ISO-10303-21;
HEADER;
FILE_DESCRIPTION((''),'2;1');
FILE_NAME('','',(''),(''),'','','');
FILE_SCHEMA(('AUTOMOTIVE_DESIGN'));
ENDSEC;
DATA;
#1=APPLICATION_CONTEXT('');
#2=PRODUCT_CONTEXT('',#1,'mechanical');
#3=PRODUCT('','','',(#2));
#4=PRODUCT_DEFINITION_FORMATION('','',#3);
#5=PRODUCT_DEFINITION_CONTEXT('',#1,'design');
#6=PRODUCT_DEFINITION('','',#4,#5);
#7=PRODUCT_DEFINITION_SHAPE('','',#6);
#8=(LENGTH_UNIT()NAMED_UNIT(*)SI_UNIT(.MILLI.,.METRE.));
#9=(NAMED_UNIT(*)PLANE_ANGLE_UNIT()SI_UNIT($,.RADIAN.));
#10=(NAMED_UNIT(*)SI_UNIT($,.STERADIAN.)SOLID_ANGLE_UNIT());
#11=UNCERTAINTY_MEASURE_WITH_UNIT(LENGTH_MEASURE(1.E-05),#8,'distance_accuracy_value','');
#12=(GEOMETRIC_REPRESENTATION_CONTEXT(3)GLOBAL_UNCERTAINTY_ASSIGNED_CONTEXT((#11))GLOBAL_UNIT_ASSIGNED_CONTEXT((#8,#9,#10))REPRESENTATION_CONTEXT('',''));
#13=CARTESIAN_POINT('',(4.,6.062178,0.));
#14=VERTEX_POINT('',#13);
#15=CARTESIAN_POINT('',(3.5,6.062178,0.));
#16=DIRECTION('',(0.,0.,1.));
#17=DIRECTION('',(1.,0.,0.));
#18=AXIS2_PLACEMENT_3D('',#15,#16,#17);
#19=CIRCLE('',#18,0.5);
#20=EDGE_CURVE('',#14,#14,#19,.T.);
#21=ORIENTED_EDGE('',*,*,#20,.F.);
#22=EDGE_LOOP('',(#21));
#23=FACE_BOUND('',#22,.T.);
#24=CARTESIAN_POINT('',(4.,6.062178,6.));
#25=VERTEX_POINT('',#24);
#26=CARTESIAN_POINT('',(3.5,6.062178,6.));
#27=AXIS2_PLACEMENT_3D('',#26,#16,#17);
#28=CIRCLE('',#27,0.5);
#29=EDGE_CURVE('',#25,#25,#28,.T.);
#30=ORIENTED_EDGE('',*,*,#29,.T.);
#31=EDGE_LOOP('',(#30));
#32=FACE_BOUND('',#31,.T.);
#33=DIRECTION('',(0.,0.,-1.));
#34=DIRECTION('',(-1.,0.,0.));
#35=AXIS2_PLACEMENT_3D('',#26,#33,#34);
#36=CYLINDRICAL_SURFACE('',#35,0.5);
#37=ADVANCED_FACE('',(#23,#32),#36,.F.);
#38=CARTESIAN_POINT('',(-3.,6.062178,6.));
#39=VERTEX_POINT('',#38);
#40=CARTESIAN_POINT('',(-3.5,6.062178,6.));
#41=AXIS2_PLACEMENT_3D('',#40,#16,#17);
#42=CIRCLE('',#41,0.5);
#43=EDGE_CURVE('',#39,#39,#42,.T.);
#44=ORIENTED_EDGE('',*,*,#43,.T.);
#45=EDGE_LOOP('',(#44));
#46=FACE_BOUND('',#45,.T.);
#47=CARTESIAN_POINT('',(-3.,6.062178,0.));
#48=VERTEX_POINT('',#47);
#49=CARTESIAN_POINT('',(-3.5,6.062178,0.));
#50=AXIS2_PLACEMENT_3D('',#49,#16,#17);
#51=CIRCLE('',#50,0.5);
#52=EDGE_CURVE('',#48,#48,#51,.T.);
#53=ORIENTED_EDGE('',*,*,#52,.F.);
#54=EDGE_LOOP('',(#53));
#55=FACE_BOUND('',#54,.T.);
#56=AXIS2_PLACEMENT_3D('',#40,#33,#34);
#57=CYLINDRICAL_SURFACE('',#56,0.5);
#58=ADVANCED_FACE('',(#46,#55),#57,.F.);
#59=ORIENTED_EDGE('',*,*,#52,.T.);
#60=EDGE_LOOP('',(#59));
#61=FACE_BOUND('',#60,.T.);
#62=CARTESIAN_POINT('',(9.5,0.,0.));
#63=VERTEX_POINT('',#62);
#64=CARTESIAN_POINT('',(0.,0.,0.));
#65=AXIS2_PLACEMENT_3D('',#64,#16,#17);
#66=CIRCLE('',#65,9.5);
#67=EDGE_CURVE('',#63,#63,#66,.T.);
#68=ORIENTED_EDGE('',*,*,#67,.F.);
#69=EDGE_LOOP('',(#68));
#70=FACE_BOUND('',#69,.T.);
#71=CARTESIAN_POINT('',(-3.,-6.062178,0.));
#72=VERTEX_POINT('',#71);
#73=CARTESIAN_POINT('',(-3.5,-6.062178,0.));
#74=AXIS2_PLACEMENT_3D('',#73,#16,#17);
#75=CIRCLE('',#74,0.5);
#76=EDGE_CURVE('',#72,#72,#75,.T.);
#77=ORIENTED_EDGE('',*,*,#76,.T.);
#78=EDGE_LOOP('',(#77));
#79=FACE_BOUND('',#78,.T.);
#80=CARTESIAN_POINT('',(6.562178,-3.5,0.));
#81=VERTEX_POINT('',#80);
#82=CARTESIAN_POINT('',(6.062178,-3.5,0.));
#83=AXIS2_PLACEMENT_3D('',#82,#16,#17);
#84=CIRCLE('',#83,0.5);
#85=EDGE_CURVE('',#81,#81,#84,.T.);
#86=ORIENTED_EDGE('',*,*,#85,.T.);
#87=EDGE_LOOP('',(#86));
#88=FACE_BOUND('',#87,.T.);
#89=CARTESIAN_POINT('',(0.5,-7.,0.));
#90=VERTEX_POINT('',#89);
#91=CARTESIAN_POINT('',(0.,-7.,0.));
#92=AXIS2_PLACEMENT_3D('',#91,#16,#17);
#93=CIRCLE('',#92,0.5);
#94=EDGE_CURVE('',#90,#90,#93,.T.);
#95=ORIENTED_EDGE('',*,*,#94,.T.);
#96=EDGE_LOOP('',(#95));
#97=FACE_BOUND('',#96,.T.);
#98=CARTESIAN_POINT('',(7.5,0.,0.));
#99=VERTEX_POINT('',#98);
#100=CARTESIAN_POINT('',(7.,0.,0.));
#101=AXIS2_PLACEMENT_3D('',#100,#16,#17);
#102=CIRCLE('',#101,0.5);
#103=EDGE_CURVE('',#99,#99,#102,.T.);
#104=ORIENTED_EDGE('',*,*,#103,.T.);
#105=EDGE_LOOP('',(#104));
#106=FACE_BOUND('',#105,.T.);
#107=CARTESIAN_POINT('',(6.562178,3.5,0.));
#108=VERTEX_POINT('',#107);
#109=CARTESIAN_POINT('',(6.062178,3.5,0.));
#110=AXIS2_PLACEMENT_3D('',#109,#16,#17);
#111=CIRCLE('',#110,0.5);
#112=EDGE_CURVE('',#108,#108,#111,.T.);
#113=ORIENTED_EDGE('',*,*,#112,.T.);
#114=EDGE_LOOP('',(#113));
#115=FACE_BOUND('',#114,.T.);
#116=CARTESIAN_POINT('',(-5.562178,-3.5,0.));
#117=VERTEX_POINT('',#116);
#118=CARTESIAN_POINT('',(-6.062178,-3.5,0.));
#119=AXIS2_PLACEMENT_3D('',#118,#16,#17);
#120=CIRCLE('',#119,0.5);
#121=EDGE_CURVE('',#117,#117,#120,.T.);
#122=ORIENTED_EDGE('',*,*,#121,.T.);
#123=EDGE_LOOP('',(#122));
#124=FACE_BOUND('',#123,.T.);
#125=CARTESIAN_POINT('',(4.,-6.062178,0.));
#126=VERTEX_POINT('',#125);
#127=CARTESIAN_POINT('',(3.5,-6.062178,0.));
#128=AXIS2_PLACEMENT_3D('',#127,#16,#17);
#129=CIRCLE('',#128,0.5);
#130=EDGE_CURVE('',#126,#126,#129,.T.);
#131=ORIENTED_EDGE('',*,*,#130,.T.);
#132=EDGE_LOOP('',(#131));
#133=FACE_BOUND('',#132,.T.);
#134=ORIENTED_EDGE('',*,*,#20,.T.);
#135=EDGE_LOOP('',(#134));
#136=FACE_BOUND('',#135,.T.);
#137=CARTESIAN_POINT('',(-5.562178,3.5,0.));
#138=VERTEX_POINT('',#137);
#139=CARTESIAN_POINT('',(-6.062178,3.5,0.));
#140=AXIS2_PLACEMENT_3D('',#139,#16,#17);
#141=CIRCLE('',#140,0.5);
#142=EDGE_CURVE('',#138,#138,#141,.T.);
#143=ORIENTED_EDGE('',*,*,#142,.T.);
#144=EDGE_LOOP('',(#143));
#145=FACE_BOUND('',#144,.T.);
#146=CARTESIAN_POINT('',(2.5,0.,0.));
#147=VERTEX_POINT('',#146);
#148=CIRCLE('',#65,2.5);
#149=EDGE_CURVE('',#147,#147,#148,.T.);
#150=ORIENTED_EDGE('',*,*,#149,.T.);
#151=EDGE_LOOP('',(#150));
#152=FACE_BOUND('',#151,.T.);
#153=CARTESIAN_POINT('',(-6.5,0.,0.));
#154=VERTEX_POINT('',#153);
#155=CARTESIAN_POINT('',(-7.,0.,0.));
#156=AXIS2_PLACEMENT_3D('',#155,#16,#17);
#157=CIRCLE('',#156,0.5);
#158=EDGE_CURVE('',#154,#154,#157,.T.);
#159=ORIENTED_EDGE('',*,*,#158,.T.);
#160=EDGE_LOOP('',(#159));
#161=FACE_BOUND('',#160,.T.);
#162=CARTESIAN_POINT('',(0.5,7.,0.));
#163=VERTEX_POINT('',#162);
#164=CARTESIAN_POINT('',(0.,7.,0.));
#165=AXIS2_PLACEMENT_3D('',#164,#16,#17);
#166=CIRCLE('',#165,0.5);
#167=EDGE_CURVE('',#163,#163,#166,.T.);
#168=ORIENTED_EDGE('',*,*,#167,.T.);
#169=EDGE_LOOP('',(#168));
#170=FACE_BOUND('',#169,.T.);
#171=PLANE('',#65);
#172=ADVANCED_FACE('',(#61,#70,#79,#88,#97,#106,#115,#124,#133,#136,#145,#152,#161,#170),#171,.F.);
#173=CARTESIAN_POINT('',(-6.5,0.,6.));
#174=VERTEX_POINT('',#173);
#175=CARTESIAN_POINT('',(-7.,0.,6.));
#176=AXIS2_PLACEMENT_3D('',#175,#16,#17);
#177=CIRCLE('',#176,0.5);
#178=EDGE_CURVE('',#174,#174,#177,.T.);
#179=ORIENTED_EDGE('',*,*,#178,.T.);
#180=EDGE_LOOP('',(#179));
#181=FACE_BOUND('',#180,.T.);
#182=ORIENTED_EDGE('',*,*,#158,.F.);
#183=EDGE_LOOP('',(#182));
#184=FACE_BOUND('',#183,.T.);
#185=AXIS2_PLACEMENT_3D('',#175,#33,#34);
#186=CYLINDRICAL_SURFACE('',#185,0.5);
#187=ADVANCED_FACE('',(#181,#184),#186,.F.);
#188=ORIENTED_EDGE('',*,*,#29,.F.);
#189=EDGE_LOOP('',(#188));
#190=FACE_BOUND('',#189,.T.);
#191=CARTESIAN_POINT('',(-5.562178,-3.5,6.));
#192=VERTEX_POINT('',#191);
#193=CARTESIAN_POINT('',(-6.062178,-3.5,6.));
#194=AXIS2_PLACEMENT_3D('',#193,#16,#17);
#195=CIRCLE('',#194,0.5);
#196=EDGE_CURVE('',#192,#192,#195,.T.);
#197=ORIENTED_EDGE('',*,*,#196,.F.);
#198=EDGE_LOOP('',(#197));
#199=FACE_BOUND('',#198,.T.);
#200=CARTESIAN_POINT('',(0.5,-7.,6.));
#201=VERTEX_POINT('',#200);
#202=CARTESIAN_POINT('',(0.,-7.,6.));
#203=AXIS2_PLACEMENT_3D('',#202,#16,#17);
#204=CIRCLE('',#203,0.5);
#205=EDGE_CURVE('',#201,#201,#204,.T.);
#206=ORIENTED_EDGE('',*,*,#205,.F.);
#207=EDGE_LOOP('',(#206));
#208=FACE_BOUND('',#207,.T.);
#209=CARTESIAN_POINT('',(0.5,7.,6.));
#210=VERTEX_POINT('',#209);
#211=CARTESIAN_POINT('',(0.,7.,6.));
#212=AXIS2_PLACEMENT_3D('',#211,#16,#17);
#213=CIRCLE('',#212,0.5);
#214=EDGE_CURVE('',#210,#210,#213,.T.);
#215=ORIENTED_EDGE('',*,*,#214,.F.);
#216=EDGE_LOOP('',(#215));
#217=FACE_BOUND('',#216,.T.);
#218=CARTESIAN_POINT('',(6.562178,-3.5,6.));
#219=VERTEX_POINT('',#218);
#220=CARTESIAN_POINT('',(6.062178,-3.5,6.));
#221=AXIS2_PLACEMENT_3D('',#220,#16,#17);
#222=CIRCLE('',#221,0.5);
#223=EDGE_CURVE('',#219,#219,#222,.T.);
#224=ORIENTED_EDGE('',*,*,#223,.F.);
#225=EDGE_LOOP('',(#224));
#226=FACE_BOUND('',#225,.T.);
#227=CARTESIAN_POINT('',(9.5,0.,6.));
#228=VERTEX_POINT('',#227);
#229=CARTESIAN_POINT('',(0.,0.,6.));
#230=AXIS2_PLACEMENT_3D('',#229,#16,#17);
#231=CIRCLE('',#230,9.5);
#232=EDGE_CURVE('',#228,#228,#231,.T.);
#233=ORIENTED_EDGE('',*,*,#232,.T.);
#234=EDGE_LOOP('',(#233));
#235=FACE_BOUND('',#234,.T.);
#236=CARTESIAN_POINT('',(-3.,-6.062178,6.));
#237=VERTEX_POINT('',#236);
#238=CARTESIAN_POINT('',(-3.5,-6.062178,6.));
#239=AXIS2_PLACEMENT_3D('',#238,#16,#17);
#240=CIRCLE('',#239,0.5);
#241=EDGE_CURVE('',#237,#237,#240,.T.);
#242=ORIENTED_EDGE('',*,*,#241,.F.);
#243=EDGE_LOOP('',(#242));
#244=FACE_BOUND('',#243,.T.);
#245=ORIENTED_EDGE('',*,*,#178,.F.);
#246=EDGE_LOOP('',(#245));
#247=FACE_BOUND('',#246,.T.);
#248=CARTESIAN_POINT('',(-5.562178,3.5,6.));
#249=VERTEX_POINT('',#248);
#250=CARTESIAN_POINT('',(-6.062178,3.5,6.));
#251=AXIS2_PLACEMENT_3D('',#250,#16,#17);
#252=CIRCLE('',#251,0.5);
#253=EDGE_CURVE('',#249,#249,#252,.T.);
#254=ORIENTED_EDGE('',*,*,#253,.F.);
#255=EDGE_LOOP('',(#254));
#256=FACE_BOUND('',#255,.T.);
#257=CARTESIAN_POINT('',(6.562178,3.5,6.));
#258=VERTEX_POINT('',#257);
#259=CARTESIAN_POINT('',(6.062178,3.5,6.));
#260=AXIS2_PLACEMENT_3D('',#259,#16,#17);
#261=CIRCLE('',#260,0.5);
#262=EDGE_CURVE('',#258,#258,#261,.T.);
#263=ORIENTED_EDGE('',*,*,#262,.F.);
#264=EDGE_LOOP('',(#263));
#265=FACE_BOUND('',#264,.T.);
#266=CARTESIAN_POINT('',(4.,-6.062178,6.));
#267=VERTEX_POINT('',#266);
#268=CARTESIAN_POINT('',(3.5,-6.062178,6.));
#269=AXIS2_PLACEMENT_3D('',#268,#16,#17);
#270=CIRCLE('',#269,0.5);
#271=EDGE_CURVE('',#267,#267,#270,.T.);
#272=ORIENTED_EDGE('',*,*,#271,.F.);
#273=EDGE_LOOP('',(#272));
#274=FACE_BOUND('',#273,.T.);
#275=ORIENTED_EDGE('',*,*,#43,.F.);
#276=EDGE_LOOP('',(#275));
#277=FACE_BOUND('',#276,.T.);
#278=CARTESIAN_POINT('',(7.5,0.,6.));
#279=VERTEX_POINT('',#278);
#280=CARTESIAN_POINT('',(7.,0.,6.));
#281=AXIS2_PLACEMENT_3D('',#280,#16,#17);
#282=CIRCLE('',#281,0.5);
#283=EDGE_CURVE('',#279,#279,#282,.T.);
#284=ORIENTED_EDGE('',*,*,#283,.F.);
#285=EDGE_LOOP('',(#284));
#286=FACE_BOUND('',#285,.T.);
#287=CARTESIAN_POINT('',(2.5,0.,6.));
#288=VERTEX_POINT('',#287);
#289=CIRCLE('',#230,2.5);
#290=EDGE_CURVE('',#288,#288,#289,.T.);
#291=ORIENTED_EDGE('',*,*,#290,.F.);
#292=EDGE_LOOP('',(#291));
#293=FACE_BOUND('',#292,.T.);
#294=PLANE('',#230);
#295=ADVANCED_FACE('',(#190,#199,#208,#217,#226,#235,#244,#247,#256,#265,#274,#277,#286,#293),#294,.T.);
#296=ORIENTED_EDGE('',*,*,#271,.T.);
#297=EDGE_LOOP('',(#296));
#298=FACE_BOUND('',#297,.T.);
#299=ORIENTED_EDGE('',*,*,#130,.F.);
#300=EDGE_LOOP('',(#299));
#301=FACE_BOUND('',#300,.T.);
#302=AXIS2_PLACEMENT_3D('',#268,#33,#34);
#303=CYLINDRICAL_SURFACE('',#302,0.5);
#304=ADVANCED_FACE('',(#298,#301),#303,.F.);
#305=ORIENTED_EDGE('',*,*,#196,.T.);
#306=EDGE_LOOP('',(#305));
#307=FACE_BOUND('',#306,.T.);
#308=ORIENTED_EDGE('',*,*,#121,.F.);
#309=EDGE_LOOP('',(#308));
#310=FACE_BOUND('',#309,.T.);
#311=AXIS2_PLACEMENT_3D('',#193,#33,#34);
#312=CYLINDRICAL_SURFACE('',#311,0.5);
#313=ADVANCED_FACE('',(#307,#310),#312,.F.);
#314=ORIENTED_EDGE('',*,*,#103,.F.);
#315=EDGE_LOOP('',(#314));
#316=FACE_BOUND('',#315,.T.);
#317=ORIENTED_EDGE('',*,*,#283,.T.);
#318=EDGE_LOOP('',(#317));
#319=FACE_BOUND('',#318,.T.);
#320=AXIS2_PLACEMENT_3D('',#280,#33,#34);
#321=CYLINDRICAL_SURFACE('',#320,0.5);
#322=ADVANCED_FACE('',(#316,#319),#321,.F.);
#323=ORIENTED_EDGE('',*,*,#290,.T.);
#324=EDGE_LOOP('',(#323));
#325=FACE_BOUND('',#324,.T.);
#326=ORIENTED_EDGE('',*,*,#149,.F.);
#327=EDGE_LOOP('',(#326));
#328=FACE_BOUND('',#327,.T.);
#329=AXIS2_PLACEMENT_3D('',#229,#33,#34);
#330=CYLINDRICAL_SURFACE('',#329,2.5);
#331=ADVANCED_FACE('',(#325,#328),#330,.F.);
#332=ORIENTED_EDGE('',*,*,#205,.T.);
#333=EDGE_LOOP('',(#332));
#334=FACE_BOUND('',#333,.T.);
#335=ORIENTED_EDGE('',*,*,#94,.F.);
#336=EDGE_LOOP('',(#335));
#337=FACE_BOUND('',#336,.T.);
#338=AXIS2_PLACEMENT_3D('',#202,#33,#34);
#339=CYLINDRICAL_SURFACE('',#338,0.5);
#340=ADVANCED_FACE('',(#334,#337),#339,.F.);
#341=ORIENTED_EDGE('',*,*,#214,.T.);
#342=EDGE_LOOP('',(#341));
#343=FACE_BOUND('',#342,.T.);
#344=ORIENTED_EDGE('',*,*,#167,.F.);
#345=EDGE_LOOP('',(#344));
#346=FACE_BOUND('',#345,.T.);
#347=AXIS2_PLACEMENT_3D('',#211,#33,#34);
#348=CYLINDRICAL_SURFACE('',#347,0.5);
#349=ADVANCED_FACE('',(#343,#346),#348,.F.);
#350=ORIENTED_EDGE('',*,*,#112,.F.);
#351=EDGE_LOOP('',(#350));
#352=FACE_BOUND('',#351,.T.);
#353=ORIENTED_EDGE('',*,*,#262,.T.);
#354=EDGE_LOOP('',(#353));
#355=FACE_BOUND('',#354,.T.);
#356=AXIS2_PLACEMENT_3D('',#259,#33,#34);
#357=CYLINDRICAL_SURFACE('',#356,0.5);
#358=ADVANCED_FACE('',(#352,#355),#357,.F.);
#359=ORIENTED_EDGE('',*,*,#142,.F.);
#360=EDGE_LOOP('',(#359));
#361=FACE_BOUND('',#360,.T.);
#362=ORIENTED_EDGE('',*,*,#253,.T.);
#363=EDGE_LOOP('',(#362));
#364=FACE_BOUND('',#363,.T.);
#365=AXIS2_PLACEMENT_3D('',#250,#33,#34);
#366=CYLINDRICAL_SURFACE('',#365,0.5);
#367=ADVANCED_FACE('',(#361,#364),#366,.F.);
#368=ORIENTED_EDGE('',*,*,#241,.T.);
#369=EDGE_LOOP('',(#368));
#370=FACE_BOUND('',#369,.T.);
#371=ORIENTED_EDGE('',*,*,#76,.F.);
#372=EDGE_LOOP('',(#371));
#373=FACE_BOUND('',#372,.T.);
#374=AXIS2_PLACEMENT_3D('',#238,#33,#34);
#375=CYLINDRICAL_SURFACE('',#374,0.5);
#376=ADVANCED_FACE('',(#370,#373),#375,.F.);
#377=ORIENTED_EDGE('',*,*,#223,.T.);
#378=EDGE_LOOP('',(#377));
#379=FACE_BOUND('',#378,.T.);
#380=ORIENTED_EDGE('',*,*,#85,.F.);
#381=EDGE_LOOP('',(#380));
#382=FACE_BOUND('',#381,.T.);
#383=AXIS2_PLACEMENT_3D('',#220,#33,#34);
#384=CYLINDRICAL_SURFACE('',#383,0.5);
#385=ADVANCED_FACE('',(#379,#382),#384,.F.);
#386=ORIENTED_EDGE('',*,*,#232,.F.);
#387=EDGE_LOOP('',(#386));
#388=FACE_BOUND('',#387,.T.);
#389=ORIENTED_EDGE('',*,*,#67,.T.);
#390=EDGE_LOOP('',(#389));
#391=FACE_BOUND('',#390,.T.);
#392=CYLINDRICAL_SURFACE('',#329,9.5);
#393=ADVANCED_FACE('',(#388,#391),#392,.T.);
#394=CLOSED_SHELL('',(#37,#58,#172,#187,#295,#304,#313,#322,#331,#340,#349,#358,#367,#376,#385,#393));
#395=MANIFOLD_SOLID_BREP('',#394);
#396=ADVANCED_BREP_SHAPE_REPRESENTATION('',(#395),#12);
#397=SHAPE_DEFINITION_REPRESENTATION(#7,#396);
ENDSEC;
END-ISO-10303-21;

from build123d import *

# Parameters (mm, degrees)
ESQUISSE1_R        = 9.5
ESQUISSE1_R_2      = 2.5
ESQUISSE1_R_3      = 0.5
BOSS_EXTRU_1_DEPTH = 6


with BuildPart() as part:
    # Esquisse1 → Boss.-Extru.1 (new body)
    with BuildSketch(Plane.XY):
        Circle(ESQUISSE1_R)
        Circle(ESQUISSE1_R_2, mode=Mode.SUBTRACT)
        with Locations((0, 7)):
            Circle(ESQUISSE1_R_3, mode=Mode.SUBTRACT)
        with Locations((3.5, 6.062177826)):
            Circle(ESQUISSE1_R_3, mode=Mode.SUBTRACT)
        with Locations((6.062177826, 3.5)):
            Circle(ESQUISSE1_R_3, mode=Mode.SUBTRACT)
        with Locations((7, 0)):
            Circle(ESQUISSE1_R_3, mode=Mode.SUBTRACT)
        with Locations((6.062177826, -3.5)):
            Circle(ESQUISSE1_R_3, mode=Mode.SUBTRACT)
        with Locations((3.5, -6.062177826)):
            Circle(ESQUISSE1_R_3, mode=Mode.SUBTRACT)
        with Locations((0, -7)):
            Circle(ESQUISSE1_R_3, mode=Mode.SUBTRACT)
        with Locations((-3.5, -6.062177826)):
            Circle(ESQUISSE1_R_3, mode=Mode.SUBTRACT)
        with Locations((-6.062177826, -3.5)):
            Circle(ESQUISSE1_R_3, mode=Mode.SUBTRACT)
        with Locations((-7, 0)):
            Circle(ESQUISSE1_R_3, mode=Mode.SUBTRACT)
        with Locations((-6.062177826, 3.5)):
            Circle(ESQUISSE1_R_3, mode=Mode.SUBTRACT)
        with Locations((-3.5, 6.062177826)):
            Circle(ESQUISSE1_R_3, mode=Mode.SUBTRACT)
    extrude(amount=BOSS_EXTRU_1_DEPTH)


solid = part.part
